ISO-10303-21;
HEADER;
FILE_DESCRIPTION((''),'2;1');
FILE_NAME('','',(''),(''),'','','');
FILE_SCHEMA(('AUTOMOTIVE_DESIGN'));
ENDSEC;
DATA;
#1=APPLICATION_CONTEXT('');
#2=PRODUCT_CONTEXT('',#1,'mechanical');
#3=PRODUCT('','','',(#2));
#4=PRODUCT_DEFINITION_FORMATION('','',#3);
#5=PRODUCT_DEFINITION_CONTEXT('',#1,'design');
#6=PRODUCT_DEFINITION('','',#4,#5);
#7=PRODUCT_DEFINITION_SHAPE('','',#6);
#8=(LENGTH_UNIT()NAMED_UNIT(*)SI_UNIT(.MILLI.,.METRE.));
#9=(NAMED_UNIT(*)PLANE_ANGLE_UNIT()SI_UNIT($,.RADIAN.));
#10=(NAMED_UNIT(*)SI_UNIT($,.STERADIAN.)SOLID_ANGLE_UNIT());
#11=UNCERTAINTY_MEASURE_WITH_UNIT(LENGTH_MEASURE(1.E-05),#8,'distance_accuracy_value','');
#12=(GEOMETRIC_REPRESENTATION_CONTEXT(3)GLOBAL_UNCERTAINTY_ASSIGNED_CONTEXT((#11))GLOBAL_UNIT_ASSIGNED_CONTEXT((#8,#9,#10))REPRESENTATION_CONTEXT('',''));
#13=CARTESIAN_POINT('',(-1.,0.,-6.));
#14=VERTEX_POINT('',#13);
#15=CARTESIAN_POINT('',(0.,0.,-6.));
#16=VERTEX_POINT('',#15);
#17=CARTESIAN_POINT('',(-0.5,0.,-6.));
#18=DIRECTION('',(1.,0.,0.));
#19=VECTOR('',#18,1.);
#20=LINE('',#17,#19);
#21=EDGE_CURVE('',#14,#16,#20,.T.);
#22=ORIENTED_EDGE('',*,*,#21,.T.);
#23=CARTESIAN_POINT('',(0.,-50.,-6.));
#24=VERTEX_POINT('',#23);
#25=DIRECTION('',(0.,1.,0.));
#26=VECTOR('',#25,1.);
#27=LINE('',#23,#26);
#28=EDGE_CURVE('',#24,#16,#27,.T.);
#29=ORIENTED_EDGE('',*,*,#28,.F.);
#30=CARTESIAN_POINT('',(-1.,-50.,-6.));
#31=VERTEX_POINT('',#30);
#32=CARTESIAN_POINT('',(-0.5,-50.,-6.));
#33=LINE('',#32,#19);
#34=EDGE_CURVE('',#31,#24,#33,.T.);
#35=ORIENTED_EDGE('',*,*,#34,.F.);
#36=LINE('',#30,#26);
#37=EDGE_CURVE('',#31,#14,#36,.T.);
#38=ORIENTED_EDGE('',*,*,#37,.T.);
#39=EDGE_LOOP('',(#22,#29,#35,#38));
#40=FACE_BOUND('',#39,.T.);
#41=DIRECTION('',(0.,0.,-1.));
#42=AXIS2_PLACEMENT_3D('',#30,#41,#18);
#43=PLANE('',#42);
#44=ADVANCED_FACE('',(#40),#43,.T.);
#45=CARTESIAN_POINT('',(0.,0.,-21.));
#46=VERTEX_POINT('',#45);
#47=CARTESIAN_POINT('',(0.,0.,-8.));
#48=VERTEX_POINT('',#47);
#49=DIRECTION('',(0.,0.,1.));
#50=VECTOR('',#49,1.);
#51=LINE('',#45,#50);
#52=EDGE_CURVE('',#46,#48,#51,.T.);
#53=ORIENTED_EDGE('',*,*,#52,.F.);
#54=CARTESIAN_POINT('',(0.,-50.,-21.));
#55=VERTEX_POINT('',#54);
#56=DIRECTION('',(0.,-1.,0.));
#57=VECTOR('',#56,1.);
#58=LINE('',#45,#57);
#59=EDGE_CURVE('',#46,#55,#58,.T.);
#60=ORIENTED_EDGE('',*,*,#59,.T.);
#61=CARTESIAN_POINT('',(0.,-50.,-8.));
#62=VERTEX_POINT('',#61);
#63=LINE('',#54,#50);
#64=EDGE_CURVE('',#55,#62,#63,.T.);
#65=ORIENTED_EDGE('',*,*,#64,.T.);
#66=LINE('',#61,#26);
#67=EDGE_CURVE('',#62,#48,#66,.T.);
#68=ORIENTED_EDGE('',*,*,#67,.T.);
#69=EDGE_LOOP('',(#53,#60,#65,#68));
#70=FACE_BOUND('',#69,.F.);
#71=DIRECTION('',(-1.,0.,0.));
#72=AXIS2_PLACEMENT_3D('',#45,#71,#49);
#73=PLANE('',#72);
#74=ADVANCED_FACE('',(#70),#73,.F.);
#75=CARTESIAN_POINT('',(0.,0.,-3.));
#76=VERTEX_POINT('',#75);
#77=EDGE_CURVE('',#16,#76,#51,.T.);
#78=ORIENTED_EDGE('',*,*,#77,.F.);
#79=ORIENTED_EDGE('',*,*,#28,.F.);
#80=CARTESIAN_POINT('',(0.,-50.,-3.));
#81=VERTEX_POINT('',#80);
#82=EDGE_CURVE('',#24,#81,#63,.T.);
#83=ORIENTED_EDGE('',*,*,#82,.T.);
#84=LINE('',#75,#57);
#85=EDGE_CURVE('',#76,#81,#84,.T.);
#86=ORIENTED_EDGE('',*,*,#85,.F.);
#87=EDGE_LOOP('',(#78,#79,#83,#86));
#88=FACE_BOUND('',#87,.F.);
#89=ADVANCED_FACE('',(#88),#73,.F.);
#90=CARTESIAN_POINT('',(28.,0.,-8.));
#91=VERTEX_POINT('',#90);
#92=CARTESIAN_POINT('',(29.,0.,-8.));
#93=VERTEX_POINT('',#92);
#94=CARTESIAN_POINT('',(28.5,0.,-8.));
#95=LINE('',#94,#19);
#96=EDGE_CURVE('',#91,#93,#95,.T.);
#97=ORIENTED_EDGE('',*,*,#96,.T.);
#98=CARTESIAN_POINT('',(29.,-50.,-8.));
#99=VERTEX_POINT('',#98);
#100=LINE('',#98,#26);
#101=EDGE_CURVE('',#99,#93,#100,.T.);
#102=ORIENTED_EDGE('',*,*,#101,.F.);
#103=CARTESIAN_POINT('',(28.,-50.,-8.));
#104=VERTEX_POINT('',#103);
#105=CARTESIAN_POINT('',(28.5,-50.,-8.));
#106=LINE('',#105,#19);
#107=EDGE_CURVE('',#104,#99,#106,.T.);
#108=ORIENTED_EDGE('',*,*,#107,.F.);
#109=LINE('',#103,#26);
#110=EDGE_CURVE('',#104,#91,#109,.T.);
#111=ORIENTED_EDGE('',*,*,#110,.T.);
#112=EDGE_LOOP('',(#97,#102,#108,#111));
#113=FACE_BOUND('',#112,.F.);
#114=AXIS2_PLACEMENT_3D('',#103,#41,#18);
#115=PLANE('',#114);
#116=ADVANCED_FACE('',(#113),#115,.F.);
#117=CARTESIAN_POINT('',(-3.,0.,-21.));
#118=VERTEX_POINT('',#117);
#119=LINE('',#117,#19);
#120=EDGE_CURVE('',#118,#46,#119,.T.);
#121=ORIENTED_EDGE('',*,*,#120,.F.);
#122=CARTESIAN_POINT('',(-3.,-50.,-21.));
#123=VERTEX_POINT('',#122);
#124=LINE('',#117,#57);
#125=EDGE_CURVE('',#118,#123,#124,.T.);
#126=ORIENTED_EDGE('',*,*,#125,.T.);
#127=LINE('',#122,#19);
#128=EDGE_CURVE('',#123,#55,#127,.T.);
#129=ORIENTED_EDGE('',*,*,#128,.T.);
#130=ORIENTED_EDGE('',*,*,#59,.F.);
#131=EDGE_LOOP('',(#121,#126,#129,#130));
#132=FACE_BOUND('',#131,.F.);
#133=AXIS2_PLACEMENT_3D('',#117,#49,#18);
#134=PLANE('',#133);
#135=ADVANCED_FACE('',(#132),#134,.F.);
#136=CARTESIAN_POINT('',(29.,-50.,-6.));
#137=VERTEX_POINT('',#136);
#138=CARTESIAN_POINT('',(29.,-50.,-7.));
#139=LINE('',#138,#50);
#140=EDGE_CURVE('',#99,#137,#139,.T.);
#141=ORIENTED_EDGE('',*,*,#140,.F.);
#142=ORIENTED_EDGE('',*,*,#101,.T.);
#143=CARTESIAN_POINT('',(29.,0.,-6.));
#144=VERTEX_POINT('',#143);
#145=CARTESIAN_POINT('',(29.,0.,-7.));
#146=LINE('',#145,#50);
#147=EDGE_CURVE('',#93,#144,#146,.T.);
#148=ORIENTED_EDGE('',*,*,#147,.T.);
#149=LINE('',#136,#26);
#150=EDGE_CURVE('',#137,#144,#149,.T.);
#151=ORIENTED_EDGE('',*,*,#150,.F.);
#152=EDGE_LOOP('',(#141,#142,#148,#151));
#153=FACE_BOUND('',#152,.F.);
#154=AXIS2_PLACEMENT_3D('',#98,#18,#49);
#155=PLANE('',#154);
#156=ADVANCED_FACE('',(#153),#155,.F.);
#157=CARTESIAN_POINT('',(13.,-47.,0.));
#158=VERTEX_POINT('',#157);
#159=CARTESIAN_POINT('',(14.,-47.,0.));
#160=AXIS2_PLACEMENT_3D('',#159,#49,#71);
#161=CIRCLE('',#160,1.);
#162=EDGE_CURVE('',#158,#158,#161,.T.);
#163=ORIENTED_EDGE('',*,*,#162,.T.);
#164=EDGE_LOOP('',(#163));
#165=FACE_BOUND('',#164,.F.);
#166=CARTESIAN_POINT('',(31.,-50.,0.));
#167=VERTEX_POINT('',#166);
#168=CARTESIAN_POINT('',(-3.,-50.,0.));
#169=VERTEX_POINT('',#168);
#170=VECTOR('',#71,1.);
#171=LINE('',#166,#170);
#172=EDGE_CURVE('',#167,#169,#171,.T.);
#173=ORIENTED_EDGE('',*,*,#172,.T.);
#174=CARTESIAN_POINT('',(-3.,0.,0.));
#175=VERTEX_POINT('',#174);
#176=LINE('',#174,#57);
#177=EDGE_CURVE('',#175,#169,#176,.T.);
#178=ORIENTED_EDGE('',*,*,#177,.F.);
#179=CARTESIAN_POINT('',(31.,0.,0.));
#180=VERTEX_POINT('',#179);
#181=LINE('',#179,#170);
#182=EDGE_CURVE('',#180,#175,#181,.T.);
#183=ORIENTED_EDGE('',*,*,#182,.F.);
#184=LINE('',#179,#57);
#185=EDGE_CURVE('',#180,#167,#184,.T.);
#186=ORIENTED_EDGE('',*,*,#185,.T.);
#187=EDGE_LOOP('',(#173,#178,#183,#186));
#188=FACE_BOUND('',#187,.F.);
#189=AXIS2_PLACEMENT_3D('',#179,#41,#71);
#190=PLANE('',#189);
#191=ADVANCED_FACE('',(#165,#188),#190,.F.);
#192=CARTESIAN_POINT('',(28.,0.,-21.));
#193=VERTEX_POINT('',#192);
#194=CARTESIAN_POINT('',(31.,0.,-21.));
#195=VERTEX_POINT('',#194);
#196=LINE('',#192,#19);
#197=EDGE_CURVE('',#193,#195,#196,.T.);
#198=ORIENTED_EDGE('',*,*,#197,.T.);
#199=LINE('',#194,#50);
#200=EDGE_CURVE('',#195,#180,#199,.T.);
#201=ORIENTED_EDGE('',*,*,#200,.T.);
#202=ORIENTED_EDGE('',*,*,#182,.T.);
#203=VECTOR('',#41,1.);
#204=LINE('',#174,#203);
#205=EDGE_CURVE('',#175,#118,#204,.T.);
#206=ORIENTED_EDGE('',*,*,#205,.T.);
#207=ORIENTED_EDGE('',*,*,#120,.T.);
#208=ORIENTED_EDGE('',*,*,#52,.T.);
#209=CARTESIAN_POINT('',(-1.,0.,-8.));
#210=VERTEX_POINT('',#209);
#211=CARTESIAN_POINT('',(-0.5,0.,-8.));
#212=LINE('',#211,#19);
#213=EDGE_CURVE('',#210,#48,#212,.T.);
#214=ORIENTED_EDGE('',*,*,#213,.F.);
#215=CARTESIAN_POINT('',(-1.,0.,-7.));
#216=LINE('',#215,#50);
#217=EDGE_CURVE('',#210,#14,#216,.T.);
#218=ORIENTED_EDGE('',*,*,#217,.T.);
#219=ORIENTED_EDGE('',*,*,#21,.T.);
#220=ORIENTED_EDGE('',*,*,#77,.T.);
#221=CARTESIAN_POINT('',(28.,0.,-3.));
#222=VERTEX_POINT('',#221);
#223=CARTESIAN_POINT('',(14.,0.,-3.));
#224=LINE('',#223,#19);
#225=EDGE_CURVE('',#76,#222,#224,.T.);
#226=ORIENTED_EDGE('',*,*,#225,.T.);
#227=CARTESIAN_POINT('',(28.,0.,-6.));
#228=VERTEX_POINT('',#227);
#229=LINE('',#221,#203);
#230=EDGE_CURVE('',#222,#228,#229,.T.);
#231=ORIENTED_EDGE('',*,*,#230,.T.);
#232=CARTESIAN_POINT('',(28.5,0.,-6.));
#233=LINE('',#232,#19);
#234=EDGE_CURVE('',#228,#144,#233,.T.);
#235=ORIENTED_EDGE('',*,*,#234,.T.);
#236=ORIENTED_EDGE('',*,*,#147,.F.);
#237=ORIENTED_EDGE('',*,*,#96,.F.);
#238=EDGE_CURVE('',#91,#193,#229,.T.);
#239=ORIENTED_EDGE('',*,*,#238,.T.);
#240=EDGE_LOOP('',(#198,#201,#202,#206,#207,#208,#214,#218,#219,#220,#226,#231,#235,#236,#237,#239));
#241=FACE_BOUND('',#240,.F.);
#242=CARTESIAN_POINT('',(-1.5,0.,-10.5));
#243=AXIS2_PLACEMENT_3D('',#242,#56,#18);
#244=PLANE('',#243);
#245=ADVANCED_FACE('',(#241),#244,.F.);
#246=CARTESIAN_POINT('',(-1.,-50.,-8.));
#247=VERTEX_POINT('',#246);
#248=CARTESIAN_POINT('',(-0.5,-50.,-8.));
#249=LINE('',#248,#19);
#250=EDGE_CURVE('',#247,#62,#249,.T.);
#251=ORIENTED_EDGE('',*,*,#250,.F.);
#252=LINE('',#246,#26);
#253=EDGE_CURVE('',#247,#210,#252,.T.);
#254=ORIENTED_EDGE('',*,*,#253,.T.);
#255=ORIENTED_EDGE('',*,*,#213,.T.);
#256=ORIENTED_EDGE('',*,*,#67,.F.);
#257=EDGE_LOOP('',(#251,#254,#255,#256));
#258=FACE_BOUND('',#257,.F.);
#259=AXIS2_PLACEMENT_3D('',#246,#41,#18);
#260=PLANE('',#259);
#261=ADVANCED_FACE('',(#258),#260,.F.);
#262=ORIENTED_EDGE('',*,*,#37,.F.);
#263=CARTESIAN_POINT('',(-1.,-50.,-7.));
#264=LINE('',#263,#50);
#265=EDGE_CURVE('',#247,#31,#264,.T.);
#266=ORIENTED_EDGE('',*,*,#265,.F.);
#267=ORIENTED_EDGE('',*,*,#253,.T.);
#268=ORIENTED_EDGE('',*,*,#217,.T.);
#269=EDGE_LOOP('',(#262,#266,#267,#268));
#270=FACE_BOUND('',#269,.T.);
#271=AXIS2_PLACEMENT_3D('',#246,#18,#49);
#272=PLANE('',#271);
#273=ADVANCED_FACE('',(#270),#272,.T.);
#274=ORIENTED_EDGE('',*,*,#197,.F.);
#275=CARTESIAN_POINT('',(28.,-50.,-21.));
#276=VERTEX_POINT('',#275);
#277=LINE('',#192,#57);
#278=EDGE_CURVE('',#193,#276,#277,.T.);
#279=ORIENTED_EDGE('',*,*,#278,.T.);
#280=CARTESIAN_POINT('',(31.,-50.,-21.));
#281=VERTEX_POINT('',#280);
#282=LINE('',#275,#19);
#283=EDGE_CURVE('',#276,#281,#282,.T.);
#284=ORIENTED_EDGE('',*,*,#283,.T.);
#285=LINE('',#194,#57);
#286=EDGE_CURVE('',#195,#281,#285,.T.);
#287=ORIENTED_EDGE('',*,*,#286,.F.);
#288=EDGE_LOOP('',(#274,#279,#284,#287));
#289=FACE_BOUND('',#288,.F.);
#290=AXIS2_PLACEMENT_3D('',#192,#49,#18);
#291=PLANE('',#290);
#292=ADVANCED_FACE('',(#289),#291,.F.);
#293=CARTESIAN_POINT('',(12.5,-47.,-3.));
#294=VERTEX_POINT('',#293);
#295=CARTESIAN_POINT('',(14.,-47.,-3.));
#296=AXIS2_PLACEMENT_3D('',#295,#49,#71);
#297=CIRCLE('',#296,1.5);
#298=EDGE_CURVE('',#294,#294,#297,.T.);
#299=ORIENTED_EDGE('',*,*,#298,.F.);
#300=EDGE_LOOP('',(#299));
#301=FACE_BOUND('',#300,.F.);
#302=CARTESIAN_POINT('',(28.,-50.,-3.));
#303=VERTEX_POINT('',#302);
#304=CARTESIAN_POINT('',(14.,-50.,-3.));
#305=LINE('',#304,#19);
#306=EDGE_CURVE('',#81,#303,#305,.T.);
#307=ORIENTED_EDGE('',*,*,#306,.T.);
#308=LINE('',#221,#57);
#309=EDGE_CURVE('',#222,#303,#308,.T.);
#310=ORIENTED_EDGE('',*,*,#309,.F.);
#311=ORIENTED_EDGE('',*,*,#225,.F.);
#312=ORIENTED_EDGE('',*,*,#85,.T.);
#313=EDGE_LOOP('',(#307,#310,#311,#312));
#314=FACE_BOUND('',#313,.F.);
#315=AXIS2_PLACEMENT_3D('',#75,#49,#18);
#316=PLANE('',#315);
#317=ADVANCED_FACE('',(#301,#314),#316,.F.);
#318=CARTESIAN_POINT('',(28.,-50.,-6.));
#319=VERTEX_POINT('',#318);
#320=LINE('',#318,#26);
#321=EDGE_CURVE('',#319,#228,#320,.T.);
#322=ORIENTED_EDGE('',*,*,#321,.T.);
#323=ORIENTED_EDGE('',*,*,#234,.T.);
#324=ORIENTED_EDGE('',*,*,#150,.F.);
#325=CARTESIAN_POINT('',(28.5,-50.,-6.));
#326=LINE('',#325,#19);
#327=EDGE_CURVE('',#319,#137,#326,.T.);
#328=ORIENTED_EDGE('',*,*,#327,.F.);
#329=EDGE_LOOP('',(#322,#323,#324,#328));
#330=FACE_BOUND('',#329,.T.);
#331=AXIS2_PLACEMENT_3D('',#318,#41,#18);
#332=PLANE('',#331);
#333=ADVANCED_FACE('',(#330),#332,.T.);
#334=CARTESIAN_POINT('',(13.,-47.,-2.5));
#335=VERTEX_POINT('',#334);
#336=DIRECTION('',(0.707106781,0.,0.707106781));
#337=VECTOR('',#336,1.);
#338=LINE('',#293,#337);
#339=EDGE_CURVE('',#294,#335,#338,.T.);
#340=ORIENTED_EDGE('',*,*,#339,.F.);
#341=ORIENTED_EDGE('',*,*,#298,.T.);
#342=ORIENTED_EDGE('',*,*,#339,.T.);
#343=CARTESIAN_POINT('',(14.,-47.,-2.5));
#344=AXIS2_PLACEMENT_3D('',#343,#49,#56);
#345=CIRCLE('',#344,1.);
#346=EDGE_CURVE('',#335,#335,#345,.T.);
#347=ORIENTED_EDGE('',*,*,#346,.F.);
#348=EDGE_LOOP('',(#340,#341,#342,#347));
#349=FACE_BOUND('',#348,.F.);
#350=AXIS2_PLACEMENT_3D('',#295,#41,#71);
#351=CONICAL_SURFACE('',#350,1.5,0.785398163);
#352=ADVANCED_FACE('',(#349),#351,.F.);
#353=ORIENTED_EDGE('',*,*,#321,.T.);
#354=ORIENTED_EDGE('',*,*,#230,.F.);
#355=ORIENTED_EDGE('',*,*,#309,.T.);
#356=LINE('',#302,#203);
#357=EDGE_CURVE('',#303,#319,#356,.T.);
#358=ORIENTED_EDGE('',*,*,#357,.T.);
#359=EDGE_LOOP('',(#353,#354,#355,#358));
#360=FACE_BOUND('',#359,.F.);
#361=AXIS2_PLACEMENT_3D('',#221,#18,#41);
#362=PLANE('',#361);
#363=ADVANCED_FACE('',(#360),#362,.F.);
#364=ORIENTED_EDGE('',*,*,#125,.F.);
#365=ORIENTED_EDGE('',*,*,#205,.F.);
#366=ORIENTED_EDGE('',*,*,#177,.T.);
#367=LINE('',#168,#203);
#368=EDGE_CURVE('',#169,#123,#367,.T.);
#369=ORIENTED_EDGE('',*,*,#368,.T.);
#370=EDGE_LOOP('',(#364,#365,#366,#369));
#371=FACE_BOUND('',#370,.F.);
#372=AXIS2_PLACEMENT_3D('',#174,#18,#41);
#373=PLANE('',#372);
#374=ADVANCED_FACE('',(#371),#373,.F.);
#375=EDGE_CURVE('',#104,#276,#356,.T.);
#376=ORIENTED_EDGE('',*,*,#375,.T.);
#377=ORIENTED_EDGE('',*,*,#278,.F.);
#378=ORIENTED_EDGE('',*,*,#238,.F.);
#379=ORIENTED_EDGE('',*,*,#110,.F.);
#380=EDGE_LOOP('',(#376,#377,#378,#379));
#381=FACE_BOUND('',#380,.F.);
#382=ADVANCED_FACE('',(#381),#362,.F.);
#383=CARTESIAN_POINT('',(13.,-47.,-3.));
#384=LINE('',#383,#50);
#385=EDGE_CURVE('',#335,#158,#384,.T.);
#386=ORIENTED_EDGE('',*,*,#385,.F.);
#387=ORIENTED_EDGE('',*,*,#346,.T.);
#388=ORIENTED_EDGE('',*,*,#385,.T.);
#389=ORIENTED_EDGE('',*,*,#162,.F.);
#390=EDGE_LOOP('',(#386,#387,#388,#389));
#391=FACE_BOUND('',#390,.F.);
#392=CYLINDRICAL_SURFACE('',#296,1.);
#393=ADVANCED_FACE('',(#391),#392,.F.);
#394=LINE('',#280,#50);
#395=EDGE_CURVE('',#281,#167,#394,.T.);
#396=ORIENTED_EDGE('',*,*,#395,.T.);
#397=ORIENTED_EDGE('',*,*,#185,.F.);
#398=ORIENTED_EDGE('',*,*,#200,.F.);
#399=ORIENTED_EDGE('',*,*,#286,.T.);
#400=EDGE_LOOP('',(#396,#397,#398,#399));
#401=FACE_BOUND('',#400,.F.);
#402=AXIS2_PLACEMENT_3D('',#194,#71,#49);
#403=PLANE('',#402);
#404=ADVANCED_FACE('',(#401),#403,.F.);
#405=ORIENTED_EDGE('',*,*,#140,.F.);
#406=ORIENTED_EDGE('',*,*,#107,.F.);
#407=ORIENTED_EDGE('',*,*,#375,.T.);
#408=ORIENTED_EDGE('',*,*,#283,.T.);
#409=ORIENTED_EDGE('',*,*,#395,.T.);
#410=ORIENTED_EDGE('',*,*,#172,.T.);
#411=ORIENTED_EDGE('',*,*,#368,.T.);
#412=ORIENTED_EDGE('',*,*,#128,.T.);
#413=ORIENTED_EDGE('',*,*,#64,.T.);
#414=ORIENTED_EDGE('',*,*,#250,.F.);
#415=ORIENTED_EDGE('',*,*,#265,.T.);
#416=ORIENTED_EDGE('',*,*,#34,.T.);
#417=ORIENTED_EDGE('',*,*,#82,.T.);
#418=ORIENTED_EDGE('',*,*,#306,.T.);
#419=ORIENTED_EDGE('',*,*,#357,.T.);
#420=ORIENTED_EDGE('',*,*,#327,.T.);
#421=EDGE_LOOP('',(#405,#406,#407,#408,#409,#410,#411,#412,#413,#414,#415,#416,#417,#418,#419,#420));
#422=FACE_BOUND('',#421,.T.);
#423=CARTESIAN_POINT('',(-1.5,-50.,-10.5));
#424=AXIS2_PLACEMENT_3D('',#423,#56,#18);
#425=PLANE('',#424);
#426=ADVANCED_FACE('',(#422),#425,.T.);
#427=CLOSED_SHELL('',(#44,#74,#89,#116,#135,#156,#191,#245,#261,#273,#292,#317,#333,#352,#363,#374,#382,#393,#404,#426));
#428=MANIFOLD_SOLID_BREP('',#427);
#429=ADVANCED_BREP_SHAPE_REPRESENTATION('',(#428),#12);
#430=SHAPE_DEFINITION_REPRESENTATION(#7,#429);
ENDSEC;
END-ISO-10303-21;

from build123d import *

# Parameters (mm, degrees)
F0_W           = 28
F0_H           = 3
F1_DEPTH       = 50
F2_W           = 1
F2_H           = 2
F3_DEPTH       = 50
F5_D           = 2
F5_CSINK_D     = 3
F5_CSINK_ANGLE = 90


with BuildPart() as f1:
    # F0 (on Front) → F1 (new body)
    with BuildSketch(Plane.XZ):
        Polygon((0, -3), (0, 0), (-3, 0), (-3, -21), (0, -21), align=None)
        with Locations((14, -1.5)):
            Rectangle(F0_W, F0_H)
        Polygon((31, 0), (28, 0), (28, -3), (28, -21), (31, -21), align=None)
    extrude(amount=F1_DEPTH)

    # F2 (on face) → F3 (cut)
    with BuildSketch(Plane.XZ.offset(50)):
        with Locations((-0.5, -7)):
            Rectangle(F2_W, F2_H)
        with Locations((28.5, -7)):
            Rectangle(F2_W, F2_H)
    extrude(amount=-F3_DEPTH, mode=Mode.SUBTRACT)

    # F5 (through all)
    with Locations(Plane(origin=(0, 0, -3), x_dir=(1, 0, 0), z_dir=(0, 0, -1))):
        with Locations((14, 47)):
            CounterSinkHole(F5_D / 2, F5_CSINK_D / 2, counter_sink_angle=F5_CSINK_ANGLE)


solid = f1.part
